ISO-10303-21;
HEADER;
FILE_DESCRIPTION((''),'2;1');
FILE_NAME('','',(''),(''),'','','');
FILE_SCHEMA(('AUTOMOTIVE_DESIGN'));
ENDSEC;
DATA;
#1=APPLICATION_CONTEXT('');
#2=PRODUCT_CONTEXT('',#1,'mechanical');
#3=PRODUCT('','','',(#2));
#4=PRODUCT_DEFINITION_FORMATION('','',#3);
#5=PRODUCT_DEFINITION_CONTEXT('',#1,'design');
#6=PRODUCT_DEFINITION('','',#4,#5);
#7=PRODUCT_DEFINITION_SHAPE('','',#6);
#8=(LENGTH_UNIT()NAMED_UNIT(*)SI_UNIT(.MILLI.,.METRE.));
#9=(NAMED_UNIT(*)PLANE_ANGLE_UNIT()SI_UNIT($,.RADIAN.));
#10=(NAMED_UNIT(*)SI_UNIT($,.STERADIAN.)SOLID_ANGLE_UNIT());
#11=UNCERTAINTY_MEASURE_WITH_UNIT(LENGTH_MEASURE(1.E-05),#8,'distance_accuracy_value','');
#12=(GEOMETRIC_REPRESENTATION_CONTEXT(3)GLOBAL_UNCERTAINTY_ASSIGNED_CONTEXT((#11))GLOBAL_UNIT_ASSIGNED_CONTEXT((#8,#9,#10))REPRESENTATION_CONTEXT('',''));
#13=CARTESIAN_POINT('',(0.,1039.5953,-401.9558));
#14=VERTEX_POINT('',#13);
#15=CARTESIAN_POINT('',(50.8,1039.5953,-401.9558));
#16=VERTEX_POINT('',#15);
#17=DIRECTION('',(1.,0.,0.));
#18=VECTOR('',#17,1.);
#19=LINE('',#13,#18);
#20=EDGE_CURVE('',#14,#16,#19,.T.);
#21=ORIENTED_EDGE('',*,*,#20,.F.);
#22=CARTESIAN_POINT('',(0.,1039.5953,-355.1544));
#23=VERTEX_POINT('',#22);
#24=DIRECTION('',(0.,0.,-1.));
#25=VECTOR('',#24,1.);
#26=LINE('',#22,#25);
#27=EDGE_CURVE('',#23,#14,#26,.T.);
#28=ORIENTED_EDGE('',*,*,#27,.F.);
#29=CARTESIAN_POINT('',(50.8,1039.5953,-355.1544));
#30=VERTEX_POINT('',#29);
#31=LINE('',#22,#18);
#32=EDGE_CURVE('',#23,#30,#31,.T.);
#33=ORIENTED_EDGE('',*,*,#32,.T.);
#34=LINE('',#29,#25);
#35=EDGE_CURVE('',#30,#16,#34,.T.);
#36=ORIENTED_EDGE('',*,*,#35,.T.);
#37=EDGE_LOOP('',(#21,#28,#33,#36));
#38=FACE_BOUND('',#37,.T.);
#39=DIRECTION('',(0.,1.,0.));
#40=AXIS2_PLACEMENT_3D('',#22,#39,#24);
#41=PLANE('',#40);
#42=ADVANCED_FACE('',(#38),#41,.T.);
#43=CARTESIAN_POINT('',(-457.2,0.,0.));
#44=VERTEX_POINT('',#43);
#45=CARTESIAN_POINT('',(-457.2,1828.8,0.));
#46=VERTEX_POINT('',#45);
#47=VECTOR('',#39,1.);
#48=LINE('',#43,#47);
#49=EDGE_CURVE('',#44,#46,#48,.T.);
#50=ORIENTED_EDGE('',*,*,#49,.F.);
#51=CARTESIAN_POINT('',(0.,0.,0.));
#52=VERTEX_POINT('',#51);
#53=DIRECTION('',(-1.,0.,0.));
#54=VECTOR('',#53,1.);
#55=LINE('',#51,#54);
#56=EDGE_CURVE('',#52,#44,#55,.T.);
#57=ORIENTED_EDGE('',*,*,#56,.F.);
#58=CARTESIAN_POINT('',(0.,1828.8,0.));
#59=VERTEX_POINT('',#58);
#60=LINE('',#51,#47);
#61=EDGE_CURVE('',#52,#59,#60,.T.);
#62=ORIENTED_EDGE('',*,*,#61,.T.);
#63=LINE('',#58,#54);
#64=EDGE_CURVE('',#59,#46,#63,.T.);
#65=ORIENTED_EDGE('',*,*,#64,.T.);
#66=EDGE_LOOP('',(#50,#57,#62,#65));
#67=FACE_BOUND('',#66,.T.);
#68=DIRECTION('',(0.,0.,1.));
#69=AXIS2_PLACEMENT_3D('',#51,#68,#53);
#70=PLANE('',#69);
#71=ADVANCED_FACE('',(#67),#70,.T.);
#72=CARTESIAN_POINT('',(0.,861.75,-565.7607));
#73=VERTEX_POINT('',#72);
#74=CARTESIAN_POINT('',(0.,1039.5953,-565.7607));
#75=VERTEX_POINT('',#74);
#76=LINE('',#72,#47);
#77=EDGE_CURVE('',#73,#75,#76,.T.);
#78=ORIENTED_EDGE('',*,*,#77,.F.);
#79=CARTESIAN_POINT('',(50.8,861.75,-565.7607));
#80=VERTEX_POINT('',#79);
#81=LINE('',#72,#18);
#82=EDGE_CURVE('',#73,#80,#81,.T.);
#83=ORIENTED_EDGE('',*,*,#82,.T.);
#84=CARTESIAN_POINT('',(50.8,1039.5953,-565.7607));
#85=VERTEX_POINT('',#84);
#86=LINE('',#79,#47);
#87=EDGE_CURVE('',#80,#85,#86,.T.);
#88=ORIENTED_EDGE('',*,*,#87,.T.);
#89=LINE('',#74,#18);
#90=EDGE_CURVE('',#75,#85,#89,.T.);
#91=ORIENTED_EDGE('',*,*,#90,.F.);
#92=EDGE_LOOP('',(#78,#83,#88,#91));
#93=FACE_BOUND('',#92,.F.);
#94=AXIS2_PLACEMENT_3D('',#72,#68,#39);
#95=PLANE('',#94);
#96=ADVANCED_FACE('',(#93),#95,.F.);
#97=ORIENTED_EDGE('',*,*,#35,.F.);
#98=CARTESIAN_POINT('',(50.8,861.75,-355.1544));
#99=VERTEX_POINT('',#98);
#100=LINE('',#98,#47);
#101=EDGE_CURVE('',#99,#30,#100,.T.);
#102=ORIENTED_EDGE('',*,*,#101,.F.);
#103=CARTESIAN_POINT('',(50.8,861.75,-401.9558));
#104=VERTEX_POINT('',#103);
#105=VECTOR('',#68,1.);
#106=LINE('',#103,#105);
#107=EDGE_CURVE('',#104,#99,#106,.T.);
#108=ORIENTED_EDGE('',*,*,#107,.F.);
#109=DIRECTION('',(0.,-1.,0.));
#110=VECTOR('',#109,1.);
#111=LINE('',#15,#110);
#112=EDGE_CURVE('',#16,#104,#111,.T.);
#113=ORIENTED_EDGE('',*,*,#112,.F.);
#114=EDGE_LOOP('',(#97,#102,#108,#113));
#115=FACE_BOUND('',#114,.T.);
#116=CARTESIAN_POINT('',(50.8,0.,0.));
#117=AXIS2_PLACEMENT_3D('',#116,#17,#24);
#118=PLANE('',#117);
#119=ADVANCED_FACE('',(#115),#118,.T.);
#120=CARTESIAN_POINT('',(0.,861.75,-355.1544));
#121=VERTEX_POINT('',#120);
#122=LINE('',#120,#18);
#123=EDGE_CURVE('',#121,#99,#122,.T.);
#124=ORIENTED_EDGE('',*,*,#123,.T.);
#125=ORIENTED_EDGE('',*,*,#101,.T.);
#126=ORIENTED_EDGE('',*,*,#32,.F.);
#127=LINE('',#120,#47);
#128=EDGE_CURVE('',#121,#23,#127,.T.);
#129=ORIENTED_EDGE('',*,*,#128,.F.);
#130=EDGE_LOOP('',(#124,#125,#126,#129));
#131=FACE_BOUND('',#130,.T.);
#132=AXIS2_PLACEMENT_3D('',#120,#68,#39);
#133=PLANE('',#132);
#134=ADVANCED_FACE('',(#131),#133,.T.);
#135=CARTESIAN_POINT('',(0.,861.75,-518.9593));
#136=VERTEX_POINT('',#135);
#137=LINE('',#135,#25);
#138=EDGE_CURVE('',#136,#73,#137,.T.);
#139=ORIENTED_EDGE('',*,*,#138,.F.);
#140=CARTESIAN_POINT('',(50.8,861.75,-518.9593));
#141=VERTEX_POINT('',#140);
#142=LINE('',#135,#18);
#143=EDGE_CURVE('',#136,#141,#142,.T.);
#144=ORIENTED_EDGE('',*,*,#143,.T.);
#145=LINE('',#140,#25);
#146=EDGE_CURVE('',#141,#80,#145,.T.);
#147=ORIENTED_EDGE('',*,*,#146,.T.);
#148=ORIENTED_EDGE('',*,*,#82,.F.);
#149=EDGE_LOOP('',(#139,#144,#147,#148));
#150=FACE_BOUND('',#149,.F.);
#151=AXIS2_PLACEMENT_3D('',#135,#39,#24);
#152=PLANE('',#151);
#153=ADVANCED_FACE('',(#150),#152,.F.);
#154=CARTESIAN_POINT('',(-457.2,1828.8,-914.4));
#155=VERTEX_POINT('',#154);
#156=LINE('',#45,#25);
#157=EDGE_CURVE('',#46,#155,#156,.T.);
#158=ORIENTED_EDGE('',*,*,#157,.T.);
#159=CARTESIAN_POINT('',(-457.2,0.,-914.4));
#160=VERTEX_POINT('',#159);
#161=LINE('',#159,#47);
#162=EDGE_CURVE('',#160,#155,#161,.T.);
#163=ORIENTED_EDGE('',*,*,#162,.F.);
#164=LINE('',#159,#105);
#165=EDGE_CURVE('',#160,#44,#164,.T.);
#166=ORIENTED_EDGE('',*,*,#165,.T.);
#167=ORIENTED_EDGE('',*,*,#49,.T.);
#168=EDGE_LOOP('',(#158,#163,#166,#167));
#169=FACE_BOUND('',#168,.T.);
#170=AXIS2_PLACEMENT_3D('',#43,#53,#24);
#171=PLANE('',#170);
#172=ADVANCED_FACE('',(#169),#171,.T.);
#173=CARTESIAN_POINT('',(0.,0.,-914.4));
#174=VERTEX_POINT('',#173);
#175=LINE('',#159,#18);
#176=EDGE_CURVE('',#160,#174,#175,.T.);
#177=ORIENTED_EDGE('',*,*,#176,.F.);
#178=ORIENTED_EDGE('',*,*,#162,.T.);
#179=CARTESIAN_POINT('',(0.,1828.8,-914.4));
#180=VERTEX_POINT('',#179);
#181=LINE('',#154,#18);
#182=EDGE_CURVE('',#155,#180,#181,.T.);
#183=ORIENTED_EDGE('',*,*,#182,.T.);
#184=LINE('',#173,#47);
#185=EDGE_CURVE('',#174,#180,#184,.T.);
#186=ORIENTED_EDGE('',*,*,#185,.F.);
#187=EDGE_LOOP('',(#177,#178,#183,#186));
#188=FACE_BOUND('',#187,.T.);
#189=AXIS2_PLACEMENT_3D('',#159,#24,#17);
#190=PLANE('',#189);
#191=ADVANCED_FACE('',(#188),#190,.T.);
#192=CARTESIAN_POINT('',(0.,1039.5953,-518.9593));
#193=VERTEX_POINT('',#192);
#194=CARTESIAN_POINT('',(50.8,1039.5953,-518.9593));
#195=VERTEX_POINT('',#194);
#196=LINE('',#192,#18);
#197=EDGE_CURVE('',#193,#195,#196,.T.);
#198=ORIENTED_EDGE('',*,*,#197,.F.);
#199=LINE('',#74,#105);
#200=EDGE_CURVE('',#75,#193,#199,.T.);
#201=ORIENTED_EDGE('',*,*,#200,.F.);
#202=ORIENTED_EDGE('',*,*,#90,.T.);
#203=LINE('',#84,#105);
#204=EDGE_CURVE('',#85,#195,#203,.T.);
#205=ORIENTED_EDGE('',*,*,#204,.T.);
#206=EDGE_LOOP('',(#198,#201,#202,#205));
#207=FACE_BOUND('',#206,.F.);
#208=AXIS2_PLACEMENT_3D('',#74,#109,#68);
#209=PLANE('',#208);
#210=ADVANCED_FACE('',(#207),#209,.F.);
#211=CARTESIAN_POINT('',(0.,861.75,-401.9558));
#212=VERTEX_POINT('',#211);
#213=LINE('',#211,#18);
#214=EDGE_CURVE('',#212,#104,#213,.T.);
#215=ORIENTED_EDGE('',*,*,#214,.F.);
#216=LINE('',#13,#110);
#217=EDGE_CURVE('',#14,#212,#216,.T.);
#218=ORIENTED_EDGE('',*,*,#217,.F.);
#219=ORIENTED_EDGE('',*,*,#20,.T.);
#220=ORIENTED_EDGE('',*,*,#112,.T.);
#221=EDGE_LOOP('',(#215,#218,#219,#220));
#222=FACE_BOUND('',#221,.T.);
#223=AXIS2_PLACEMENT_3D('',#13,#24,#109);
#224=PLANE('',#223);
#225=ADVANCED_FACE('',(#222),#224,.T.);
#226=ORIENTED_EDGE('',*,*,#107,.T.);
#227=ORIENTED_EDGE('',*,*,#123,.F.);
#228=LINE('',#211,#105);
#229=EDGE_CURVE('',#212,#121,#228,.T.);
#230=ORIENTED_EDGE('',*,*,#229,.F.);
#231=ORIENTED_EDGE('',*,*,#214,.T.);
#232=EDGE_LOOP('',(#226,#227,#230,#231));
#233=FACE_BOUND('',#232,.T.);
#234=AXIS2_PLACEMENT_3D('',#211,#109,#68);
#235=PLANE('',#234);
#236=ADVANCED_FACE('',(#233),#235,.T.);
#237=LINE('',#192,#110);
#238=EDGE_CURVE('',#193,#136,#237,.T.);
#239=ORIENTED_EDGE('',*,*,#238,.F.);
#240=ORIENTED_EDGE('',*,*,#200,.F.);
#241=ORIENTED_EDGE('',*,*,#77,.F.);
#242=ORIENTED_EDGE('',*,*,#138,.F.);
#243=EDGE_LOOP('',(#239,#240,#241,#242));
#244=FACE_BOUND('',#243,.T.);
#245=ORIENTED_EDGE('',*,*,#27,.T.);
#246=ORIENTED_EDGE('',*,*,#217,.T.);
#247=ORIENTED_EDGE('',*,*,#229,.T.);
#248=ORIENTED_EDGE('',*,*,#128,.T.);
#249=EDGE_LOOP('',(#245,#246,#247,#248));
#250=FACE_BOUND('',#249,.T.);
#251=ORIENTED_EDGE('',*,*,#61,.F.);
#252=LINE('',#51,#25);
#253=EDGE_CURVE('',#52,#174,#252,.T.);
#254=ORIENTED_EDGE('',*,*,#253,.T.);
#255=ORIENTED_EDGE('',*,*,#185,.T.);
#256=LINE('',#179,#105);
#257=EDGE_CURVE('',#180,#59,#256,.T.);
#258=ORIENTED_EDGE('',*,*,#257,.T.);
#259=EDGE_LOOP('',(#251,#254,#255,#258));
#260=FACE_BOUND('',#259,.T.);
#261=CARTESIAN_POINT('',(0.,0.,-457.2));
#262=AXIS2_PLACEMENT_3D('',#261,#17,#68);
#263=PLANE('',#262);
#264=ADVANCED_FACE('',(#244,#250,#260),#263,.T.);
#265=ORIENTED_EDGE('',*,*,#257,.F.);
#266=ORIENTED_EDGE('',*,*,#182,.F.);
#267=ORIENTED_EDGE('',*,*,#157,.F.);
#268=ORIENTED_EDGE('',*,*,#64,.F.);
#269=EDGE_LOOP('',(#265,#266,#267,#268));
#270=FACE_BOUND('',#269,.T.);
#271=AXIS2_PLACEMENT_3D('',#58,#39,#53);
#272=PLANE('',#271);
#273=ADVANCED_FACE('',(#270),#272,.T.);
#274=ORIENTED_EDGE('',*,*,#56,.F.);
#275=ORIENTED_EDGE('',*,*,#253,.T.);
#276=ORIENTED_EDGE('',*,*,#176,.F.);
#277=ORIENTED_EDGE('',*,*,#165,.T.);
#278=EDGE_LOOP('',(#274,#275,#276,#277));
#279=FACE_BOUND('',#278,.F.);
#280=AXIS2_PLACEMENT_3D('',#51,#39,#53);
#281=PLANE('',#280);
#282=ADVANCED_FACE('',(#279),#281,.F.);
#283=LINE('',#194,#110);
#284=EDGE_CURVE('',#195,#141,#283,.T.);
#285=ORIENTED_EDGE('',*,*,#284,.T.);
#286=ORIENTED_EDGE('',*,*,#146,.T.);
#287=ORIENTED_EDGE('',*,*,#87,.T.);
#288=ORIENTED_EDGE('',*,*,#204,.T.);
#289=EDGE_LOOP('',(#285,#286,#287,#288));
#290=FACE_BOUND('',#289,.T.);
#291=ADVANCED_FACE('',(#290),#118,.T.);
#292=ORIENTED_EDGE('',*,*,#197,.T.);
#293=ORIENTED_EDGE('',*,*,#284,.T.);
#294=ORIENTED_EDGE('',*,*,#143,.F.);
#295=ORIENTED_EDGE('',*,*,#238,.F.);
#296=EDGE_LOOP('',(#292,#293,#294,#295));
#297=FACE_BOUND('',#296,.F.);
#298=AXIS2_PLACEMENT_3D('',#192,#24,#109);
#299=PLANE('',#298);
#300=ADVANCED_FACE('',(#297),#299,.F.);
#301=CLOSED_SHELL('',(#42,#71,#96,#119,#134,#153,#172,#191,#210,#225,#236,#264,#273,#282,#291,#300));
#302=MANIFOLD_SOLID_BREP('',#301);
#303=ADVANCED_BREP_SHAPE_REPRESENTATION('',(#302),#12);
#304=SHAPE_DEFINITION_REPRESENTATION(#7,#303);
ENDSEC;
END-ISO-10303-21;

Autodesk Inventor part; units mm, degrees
ref_plane "YZ Plane" through (0, 0, 0) normal (1, 0, 0) x (0, 1, 0)
ref_plane "XZ Plane" through (0, 0, 0) normal (0, 1, 0) x (-1, 0, 0)
ref_plane "XY Plane" through (0, 0, 0) normal (0, 0, 1) x (1, 0, 0)
sketch "Sketch2" plane through (0, 0, 0) normal (0, 1, 0) x (-1, 0, 0)
  line L0 (0, 0) -> (457.2, 0)
  line L1 (457.2, 0) -> (457.2, -914.4)
  line L2 (457.2, -914.4) -> (0, -914.4)
  line L3 (0, -914.4) -> (0, 0)
  line L4 (457.2, -457.2) -> (0, -457.2)
  dimension "d2" = 457.2
  dimension "d3" = 914.4
extrude "Extrusion2" add sketch "Sketch2" along normal blind 1828.8
sketch "Sketch3" plane through (0, 0, 0) normal (1, 0, 0) x (0, 0, -1)
  line L0 (914.4, 1828.8) -> (0, 1828.8) projected
  line L1 (457.2, 1828.8) -> (457.2, 0)
  line L2 (914.4, 0) -> (0, 0) projected
sketch "Sketch4" plane through (0, 0, 0) normal (1, 0, 0) x (0, 0, -1)
  line L0 (355.1544, 1039.5953) -> (401.9558, 1039.5953)
  line L1 (401.9558, 1039.5953) -> (401.9558, 861.75)
  line L2 (401.9558, 861.75) -> (355.1544, 861.75)
  line L3 (355.1544, 861.75) -> (355.1544, 1039.5953)
  line L4 (518.9593, 861.75) -> (565.7607, 861.75)
  line L5 (565.7607, 861.75) -> (565.7607, 1039.5953)
  line L6 (565.7607, 1039.5953) -> (518.9593, 1039.5953)
  line L7 (518.9593, 1039.5953) -> (518.9593, 861.75)
  point P0 (0, 0)
extrude "Extrusion3" add sketch "Sketch4" along normal blind 50.8
sketch "Sketch5" plane through (0, 0, 0) normal (1, 0, 0) x (0, 0, -1)
  line L0 (34.1958, 1790.2512) -> (883.0565, 1790.2512)
  line L1 (883.0565, 1790.2512) -> (883.0565, 32.1843)
  line L2 (883.0565, 32.1843) -> (34.1958, 32.1843)
  line L3 (34.1958, 32.1843) -> (34.1958, 1790.2512)
  point P0 (0, 0)
properties part number "Cabinet"
